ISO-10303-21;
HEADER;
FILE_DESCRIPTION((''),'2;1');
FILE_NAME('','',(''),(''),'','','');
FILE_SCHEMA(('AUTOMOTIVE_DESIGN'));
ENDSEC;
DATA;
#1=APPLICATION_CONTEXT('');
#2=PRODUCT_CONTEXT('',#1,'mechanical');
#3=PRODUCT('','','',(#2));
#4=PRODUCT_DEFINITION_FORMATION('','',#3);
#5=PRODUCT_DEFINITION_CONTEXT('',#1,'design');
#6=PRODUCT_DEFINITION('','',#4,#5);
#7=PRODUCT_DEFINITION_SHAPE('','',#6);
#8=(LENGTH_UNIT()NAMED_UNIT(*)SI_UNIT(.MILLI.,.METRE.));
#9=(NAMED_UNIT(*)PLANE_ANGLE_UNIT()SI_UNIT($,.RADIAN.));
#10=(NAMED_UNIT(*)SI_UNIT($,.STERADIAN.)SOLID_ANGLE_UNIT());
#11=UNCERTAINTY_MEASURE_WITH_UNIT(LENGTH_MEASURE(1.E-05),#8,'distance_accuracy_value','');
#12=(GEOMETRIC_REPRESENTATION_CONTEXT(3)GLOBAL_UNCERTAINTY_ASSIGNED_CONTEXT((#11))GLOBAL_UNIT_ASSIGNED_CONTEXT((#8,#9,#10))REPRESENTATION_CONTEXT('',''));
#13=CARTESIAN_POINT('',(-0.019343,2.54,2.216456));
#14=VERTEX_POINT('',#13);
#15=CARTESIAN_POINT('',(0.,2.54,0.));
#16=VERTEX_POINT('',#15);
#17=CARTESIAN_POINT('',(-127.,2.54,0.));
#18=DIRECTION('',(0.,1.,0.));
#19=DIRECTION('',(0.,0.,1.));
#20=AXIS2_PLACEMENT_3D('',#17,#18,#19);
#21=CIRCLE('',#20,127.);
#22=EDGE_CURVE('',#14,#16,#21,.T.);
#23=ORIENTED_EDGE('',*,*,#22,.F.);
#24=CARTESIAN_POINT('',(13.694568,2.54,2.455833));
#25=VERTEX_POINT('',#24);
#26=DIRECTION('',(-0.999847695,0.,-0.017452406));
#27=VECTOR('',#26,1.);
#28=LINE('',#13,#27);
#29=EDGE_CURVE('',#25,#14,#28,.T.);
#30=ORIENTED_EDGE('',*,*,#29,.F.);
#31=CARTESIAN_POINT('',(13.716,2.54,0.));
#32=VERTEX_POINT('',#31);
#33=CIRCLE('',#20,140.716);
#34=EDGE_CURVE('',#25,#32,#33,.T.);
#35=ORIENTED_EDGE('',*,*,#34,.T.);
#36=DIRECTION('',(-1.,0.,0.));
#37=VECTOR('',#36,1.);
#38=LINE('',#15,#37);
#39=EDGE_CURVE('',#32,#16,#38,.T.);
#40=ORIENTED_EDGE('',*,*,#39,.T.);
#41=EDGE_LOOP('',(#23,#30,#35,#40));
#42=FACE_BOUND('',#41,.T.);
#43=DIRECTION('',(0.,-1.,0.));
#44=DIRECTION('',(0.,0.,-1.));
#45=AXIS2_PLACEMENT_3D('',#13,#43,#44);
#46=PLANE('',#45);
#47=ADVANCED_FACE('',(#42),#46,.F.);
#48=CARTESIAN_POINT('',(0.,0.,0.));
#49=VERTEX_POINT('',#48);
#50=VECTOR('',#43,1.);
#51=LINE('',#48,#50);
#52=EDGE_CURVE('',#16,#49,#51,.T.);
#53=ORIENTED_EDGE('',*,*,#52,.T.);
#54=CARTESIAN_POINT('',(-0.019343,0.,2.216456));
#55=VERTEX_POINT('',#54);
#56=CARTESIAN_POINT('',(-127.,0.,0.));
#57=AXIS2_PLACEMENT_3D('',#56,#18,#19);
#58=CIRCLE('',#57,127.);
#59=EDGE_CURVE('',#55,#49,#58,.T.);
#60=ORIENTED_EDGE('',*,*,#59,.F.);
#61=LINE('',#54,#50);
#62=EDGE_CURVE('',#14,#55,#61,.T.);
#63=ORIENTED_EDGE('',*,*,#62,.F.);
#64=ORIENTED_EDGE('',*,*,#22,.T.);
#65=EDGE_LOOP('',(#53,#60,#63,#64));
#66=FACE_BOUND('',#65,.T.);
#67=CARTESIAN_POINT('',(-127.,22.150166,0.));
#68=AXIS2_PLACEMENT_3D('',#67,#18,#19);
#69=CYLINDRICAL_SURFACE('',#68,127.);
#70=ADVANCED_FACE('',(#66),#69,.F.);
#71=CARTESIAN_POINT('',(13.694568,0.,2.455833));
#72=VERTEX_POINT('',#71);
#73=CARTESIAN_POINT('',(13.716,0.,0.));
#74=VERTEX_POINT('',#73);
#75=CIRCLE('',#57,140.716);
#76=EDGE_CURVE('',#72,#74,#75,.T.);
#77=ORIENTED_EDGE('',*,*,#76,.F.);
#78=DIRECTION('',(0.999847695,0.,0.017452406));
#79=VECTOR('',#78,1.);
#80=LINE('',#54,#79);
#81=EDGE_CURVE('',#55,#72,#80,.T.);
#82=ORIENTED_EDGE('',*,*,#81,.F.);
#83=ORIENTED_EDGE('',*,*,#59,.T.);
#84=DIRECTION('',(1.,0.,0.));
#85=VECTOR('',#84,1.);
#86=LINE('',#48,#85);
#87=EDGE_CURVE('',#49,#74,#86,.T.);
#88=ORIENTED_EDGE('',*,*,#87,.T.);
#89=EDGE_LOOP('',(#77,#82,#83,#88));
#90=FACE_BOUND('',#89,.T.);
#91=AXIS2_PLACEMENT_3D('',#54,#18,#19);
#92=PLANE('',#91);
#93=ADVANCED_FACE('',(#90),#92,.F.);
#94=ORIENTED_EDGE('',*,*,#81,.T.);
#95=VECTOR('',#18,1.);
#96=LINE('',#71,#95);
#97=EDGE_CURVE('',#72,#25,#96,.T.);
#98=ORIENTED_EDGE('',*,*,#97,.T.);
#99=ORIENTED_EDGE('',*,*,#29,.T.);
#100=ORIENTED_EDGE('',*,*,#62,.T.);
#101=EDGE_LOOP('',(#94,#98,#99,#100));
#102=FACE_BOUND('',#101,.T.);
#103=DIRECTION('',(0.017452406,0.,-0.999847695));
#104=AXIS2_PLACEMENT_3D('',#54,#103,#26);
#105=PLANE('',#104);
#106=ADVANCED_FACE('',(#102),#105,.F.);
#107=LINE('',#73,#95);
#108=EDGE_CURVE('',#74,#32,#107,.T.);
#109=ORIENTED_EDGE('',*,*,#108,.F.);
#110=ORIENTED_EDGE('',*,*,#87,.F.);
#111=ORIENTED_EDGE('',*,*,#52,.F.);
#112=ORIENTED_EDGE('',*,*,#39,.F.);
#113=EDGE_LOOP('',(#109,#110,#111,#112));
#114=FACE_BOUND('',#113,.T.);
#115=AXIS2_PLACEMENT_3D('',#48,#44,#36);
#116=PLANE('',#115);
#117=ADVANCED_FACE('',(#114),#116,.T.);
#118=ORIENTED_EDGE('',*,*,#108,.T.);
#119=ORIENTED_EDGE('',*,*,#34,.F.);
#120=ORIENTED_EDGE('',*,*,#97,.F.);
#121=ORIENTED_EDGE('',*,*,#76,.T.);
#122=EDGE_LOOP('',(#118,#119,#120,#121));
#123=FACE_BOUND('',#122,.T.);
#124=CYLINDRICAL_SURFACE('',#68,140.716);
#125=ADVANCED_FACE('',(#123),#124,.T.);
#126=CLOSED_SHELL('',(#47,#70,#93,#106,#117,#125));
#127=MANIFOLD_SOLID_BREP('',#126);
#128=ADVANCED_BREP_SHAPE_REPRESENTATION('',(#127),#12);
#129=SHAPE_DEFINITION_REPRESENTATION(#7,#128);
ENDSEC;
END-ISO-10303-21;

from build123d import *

# Parameters (mm, degrees)
SKETCH1_W      = 13.716
SKETCH1_H      = 2.54
REVOLVE1_ANGLE = 1


with BuildPart() as part:
    # Sketch1 → Revolve1 (revolve)
    with BuildSketch(Plane.XY):
        with Locations((6.858, 1.27)):
            Rectangle(SKETCH1_W, SKETCH1_H)
    revolve(axis=Axis((-127, 22.150165738, 0), (0, -1, 0)), revolution_arc=REVOLVE1_ANGLE)


solid = part.part
